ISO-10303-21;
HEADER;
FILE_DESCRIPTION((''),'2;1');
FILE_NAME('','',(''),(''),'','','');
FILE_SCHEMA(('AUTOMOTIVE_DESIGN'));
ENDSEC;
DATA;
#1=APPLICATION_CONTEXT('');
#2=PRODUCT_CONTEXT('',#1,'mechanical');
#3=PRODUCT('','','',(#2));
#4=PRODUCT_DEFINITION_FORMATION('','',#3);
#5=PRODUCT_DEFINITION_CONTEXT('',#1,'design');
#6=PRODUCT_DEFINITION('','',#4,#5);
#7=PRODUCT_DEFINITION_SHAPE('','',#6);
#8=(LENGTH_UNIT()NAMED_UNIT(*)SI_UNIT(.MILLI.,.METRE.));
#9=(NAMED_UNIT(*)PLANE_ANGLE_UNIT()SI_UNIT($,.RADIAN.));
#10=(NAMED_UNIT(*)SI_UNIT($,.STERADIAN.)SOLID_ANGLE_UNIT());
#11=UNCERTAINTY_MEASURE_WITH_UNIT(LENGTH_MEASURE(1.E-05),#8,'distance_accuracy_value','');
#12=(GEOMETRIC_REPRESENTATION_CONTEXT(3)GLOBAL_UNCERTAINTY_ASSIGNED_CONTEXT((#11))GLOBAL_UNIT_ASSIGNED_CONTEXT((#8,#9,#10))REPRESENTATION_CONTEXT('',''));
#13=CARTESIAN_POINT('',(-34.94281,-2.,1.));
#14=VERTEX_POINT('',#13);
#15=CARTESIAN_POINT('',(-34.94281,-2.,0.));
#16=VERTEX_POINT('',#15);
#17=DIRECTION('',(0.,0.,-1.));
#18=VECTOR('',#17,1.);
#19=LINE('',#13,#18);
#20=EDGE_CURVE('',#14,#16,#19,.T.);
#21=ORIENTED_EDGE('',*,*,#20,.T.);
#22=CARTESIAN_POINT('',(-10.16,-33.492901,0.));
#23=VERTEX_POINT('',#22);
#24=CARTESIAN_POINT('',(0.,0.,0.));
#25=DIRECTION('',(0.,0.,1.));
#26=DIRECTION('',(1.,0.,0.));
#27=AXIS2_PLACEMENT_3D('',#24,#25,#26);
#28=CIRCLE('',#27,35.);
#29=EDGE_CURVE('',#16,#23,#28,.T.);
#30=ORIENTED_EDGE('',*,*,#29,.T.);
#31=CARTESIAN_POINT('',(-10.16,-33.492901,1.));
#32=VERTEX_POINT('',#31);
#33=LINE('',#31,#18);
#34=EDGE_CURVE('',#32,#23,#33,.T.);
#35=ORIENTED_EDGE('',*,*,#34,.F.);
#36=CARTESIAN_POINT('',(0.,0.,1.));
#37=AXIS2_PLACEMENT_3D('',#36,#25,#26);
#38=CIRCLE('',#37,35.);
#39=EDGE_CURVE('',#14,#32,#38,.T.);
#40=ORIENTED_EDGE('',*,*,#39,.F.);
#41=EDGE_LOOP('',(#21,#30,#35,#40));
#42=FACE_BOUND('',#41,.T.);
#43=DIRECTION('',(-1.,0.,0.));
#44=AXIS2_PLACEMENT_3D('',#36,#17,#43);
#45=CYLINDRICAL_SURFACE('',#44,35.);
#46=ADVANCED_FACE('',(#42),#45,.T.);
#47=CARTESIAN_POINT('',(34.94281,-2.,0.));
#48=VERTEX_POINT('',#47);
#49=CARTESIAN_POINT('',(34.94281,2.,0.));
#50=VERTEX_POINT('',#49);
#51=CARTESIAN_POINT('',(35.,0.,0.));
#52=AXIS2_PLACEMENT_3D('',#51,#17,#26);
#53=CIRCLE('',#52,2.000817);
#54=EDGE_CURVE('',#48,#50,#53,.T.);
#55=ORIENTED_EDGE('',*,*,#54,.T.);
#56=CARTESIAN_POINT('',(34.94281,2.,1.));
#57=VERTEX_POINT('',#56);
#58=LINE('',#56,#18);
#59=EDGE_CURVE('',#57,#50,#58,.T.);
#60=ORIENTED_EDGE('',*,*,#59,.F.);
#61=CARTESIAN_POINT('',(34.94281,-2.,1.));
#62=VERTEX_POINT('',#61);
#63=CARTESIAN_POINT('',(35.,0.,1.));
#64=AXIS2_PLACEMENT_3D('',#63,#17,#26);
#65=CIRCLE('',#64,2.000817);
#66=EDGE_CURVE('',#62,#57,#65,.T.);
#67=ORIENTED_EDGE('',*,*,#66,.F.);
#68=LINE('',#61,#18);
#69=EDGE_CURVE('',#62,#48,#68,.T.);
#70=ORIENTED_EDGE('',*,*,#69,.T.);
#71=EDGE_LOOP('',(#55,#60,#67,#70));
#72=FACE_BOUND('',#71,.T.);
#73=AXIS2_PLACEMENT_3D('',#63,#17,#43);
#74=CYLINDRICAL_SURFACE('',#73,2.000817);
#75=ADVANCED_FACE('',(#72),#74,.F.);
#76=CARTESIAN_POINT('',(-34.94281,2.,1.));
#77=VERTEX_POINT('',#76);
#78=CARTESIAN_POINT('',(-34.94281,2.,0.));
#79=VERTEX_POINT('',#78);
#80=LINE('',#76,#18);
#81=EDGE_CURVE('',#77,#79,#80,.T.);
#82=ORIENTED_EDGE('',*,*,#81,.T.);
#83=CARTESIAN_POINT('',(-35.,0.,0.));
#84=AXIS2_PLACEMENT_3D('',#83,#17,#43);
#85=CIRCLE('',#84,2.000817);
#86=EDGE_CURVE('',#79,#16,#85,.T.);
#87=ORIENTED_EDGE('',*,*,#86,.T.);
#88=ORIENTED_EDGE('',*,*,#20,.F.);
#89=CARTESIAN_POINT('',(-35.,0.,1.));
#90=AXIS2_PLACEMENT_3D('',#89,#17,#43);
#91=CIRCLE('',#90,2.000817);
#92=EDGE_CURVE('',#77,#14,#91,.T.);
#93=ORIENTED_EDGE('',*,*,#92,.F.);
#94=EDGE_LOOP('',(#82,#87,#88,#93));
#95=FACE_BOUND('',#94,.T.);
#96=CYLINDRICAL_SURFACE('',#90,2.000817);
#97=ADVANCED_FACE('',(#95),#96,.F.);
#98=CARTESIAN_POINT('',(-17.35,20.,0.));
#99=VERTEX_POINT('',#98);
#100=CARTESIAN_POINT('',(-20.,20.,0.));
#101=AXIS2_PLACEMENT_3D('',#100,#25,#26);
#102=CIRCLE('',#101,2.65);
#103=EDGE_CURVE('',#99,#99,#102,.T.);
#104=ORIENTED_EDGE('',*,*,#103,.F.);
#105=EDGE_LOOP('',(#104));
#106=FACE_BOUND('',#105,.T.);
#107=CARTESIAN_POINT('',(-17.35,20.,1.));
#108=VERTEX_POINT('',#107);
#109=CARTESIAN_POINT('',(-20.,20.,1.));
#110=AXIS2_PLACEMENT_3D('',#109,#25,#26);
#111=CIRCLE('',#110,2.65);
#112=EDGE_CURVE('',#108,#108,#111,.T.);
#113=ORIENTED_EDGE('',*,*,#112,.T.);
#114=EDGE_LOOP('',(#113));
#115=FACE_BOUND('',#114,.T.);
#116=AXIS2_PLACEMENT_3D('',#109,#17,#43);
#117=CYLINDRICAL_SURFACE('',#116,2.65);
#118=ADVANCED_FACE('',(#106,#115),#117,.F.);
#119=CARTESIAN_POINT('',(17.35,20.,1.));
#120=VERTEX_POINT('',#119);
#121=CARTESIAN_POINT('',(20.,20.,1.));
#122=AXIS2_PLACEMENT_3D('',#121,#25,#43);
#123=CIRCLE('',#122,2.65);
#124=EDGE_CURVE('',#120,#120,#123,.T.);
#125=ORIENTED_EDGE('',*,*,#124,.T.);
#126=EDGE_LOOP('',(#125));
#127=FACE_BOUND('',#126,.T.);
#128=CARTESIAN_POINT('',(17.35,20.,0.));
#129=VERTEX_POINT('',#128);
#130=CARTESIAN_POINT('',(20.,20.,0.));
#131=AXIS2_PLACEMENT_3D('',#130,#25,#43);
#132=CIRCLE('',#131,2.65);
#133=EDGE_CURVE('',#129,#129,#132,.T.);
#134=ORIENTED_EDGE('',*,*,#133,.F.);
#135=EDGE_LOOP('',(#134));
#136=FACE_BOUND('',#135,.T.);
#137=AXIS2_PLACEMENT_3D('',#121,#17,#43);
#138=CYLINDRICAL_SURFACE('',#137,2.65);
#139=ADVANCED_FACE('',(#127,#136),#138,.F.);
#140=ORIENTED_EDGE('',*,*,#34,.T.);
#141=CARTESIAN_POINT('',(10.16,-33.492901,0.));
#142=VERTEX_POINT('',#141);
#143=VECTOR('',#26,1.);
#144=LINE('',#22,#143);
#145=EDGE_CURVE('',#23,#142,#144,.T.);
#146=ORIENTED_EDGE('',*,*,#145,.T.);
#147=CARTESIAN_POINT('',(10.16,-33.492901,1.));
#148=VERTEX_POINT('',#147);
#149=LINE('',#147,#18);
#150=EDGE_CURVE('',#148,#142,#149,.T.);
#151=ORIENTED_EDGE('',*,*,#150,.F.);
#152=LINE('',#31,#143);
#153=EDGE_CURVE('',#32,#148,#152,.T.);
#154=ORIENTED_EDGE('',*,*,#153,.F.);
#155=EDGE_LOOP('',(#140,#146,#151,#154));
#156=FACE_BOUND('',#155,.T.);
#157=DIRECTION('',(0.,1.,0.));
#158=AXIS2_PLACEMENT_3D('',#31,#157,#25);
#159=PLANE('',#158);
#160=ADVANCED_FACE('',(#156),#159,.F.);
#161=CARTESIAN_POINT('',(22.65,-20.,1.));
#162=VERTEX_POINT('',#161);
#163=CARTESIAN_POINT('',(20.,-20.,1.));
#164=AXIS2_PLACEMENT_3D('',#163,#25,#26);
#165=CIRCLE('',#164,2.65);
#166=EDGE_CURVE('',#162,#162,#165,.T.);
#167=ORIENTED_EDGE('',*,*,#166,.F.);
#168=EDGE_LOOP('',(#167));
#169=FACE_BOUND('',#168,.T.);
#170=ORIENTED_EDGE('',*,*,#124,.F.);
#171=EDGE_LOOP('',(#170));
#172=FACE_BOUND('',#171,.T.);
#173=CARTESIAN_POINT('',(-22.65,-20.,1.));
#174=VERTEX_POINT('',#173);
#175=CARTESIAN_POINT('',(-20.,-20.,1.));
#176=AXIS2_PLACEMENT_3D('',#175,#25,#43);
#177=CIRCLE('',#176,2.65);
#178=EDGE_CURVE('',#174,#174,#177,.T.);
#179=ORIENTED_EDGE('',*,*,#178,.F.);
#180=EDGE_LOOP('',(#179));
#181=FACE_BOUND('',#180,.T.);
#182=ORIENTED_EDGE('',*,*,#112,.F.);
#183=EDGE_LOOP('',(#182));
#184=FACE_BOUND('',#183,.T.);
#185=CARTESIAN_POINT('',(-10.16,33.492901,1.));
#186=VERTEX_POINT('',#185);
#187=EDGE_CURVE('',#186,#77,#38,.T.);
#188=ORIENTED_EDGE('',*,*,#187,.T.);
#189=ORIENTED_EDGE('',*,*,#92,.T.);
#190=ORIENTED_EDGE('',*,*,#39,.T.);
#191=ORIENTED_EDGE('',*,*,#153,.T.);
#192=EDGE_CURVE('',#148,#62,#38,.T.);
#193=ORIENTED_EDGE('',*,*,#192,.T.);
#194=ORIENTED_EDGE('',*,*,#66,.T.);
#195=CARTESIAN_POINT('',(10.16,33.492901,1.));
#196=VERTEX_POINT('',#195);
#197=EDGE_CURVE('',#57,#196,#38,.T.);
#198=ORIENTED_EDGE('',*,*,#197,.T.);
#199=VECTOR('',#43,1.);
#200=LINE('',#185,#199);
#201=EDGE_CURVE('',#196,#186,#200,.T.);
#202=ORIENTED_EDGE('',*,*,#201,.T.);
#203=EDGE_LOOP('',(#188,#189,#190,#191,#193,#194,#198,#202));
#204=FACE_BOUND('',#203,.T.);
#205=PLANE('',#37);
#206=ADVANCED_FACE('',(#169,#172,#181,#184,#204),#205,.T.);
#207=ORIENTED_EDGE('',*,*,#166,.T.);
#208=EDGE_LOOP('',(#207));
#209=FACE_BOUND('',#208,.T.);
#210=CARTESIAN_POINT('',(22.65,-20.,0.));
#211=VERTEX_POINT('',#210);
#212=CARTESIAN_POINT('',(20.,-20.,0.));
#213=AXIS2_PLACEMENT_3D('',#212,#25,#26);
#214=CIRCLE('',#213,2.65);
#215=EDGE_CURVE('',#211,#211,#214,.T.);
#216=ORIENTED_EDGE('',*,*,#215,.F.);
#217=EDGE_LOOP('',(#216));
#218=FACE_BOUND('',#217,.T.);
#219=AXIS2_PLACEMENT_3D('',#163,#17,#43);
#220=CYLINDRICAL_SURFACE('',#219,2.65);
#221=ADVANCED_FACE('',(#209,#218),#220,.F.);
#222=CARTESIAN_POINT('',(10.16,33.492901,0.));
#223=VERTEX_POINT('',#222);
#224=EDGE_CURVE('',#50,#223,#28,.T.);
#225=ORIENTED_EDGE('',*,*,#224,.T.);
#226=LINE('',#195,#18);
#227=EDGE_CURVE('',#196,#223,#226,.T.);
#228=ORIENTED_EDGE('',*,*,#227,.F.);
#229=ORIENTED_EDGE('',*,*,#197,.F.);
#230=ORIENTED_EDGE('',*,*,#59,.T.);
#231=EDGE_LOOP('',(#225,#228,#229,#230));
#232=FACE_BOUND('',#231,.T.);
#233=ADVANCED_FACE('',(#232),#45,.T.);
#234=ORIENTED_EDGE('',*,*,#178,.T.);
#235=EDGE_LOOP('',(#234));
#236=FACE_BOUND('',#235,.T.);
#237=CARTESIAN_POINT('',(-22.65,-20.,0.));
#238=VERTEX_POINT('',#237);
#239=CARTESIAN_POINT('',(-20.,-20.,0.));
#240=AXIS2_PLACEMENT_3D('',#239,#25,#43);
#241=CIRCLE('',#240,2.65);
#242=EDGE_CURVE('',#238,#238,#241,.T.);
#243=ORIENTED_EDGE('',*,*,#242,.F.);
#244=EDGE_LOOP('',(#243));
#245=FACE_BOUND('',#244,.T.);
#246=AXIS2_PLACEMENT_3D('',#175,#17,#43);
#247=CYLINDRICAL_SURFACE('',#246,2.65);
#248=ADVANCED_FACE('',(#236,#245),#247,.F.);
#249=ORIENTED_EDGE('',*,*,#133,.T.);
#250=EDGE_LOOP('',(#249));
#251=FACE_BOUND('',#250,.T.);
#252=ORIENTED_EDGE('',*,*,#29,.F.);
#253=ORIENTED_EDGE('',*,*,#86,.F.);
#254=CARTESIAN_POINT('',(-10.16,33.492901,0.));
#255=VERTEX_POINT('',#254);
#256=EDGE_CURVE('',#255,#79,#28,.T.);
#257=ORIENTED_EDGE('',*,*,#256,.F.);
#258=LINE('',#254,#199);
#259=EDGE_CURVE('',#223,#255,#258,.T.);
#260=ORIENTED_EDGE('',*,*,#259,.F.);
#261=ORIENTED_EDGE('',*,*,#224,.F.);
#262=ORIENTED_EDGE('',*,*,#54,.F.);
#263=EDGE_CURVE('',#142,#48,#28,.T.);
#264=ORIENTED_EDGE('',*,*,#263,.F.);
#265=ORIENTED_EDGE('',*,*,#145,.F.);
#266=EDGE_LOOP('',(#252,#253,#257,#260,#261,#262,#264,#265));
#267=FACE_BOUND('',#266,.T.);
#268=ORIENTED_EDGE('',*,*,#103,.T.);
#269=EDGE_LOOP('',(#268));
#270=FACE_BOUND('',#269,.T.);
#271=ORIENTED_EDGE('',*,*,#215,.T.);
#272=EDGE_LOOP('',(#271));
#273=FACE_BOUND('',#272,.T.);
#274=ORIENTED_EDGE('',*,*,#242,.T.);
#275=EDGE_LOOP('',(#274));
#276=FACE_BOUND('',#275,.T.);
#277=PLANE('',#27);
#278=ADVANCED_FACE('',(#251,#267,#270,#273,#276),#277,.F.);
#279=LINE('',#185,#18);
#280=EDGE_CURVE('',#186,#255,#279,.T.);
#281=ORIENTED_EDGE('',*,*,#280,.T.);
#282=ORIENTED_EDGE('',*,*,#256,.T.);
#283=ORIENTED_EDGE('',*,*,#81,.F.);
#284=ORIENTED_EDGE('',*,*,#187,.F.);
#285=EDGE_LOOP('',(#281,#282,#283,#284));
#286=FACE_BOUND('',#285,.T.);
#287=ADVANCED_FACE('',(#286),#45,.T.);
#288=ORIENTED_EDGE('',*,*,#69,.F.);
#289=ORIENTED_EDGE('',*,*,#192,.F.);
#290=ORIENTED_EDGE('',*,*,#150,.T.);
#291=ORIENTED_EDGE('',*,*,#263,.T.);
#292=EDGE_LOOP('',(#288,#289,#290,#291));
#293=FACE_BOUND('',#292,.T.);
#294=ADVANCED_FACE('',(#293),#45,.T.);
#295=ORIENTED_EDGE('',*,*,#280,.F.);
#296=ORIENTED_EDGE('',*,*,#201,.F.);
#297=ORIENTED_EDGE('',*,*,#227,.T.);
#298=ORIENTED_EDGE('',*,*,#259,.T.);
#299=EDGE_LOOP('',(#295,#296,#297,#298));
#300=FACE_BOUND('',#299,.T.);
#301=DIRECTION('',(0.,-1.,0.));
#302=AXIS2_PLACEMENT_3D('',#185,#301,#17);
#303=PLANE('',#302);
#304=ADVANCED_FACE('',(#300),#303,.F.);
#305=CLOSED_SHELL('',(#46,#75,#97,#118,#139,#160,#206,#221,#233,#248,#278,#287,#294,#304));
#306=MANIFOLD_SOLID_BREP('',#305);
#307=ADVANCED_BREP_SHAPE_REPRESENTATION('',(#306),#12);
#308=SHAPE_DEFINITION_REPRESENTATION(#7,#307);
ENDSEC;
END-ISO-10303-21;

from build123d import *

# Parameters (mm, degrees)
SKETCH1_R           = 2.65
BOSS_EXTRUDE1_DEPTH = 1


with BuildPart() as part:
    # Sketch1 → Boss-Extrude1 (new body)
    with BuildSketch(Plane.XY):
        with BuildLine():
            Line((-10.16, 33.49290074), (10.16, 33.49290074))
            ThreePointArc((10.16, 33.49290074), (27.504846413, 21.644477906), (34.942810419, 2))
            ThreePointArc((34.942810419, 2), (32.999182505, 0), (34.942810419, -2))
            ThreePointArc((34.942810419, -2), (27.504846413, -21.644477906), (10.16, -33.49290074))
            Line((10.16, -33.49290074), (-10.16, -33.49290074))
            ThreePointArc((-10.16, -33.49290074), (-27.504846413, -21.644477906), (-34.942810419, -2))
            ThreePointArc((-34.942810419, -2), (-32.999182505, 0), (-34.942810419, 2))
            ThreePointArc((-34.942810419, 2), (-27.504846413, 21.644477906), (-10.16, 33.49290074))
        make_face()
        with Locations((-20, 20)):
            Circle(SKETCH1_R, mode=Mode.SUBTRACT)
        with Locations((-20, -20)):
            Circle(SKETCH1_R, mode=Mode.SUBTRACT)
        with Locations((20, -20)):
            Circle(SKETCH1_R, mode=Mode.SUBTRACT)
        with Locations((20, 20)):
            Circle(SKETCH1_R, mode=Mode.SUBTRACT)
    extrude(amount=BOSS_EXTRUDE1_DEPTH)


solid = part.part
